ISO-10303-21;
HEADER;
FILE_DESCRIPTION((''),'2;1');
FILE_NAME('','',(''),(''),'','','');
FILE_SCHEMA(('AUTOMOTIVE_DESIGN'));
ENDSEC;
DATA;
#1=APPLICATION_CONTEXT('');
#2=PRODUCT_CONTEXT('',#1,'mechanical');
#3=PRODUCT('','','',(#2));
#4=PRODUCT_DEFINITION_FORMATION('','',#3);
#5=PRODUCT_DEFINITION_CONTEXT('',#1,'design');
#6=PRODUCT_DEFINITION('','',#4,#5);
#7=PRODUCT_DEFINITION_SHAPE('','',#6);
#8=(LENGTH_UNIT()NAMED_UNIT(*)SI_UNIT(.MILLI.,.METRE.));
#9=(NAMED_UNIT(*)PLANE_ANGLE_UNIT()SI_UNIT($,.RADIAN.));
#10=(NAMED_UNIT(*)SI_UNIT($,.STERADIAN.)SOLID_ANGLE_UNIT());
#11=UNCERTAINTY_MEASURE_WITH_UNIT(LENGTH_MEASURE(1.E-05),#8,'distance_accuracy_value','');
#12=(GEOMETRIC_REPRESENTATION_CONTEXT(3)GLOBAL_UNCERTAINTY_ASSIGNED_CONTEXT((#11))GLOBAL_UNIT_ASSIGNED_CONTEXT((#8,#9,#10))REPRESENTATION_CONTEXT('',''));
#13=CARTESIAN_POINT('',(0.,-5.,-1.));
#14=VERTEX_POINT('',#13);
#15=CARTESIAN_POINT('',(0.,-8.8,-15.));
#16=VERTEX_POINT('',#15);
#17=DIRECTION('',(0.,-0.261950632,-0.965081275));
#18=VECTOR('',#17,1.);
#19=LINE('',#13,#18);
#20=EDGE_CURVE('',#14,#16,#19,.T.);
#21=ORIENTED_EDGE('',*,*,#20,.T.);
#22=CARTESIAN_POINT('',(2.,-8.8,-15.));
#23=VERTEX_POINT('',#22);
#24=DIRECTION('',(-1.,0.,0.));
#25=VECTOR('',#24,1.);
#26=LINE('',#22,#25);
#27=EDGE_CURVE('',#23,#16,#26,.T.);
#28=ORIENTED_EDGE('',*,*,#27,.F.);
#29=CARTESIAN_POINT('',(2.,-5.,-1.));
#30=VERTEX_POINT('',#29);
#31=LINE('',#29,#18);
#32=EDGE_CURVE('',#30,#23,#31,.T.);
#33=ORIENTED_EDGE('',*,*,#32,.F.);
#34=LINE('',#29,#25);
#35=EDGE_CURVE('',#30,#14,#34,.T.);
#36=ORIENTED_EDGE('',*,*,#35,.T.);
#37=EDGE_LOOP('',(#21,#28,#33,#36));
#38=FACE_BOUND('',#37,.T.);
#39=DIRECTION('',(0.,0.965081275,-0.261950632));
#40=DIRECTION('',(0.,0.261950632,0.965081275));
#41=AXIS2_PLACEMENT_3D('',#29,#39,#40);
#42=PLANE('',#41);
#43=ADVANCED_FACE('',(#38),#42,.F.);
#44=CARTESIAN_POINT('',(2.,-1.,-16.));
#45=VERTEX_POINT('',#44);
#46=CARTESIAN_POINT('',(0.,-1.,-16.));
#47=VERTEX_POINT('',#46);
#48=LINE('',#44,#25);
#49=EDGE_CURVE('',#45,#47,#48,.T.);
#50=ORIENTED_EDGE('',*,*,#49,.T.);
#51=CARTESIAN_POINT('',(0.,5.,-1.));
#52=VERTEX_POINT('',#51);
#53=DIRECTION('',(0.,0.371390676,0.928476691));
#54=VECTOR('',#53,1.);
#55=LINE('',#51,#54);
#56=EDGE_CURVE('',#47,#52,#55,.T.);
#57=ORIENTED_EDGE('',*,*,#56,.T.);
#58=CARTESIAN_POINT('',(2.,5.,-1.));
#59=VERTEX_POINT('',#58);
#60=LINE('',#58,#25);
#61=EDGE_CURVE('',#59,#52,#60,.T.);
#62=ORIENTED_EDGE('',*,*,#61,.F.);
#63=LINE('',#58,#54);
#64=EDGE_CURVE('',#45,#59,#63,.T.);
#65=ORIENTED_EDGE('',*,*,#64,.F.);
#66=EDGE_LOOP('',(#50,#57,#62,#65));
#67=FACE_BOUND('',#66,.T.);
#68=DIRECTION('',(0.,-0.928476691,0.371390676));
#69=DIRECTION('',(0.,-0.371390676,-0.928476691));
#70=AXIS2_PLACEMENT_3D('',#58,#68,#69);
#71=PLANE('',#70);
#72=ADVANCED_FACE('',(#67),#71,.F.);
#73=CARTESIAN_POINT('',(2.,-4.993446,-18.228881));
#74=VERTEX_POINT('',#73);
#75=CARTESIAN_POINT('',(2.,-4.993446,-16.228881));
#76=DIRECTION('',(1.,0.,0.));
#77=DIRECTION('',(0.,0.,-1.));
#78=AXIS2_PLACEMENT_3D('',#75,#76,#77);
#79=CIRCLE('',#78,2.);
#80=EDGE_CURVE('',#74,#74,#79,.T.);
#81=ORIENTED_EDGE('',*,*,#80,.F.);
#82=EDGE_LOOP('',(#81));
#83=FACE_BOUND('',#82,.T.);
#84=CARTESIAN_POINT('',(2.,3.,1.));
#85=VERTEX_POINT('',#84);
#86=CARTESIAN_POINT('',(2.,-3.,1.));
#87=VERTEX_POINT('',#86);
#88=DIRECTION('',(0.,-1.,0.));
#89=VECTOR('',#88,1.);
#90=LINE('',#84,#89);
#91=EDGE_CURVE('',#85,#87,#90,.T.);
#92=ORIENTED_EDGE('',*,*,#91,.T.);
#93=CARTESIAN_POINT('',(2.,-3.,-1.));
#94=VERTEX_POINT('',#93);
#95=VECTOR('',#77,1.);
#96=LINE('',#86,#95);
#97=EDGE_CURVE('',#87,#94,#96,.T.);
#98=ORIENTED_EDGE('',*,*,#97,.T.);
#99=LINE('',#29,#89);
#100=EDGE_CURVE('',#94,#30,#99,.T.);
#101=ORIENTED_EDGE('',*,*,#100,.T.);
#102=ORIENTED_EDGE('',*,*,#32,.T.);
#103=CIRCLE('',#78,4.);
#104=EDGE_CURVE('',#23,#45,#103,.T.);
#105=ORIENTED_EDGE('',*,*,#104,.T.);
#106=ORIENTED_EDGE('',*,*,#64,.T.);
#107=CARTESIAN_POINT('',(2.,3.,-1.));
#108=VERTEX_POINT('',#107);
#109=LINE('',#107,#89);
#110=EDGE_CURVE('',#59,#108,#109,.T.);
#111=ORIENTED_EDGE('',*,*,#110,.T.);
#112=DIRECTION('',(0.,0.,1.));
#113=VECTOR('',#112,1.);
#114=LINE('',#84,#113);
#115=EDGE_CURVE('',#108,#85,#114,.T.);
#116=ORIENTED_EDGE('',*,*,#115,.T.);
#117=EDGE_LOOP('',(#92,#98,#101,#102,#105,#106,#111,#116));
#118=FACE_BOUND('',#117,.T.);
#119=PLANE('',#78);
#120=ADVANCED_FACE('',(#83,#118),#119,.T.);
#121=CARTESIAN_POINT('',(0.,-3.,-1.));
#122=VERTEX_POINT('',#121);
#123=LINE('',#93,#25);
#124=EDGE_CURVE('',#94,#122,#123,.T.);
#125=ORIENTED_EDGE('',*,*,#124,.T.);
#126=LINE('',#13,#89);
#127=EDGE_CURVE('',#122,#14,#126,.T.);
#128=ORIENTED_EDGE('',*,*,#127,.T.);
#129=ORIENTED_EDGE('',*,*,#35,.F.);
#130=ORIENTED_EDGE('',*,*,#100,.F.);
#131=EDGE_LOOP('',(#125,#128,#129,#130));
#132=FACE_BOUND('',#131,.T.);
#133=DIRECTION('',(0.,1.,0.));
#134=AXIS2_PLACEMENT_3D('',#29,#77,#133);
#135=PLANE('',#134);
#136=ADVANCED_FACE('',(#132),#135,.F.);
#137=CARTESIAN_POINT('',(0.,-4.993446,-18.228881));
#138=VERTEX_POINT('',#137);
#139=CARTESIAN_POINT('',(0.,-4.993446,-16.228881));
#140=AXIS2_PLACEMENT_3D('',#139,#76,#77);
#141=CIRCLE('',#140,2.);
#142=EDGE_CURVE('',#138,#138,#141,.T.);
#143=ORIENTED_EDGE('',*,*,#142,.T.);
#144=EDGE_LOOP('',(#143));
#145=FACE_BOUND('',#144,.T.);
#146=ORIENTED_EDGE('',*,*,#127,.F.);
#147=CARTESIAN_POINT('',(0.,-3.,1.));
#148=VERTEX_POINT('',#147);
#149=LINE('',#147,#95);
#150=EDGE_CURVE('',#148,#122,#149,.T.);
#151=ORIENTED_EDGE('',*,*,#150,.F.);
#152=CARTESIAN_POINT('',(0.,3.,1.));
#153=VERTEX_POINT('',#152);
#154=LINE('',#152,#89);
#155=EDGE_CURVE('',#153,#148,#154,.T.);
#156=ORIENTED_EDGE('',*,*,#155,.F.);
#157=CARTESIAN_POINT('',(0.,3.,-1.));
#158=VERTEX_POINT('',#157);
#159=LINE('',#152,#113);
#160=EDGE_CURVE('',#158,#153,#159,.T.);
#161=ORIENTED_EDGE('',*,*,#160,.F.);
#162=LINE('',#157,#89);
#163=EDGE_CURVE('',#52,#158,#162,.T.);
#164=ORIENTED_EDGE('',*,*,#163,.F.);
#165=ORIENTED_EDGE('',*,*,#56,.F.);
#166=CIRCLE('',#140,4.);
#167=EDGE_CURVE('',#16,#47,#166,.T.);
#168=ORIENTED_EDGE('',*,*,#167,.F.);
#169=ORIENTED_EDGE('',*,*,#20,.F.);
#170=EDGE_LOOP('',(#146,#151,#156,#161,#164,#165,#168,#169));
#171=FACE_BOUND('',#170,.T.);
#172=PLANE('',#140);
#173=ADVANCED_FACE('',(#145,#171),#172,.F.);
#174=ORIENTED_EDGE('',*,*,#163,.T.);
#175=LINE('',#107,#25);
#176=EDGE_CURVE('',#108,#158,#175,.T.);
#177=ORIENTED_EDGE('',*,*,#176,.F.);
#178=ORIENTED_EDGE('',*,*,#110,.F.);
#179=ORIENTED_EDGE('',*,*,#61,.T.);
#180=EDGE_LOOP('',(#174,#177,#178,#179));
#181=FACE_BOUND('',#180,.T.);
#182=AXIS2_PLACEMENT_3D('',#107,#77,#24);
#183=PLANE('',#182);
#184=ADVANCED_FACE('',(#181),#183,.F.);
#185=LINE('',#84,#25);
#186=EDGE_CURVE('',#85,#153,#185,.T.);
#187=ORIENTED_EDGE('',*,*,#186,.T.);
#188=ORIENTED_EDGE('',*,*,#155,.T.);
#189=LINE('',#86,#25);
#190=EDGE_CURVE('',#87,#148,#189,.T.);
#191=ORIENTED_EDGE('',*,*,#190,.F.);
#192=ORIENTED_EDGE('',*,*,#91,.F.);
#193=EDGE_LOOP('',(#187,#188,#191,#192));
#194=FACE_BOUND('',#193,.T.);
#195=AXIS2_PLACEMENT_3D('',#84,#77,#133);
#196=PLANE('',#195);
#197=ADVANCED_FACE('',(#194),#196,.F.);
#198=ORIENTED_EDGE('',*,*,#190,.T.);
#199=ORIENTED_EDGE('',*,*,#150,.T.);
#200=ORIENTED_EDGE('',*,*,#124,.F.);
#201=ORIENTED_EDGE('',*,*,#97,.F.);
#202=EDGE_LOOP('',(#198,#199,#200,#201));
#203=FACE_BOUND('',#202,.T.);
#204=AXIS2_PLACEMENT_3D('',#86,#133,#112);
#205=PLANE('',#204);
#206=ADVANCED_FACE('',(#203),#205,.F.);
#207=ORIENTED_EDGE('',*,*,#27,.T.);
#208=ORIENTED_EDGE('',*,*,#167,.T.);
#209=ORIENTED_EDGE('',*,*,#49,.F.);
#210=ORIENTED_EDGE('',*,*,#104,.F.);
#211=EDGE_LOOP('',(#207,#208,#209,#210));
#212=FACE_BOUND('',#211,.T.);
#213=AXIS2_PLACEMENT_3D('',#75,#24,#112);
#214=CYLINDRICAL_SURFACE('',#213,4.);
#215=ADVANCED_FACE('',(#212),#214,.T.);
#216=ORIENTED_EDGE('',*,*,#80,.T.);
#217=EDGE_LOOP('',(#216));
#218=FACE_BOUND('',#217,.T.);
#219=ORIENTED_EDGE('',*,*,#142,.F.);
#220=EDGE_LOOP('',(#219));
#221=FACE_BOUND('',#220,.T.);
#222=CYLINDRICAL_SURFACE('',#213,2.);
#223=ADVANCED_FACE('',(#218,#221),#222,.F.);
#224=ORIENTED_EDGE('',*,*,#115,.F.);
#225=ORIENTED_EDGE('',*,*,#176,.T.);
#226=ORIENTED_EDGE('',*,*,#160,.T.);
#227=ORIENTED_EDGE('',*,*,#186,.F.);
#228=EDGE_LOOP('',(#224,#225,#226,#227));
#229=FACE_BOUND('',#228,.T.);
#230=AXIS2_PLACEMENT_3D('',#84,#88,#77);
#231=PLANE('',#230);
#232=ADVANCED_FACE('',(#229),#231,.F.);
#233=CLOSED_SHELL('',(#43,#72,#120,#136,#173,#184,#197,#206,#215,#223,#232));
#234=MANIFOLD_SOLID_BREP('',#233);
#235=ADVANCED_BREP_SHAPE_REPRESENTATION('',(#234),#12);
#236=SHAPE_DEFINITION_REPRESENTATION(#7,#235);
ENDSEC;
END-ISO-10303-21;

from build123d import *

# Parameters (mm, degrees)
SKETCH1_R           = 2
BOSS_EXTRUDE1_DEPTH = 2


with BuildPart() as part:
    # Sketch1 → Boss-Extrude1 (new body)
    with BuildSketch(Plane(origin=(0, 0, 0), x_dir=(0, 0, -1), z_dir=(1, 0, 0))):
        with BuildLine():
            Line((1, -5), (1, -3))
            Line((1, -3), (-1, -3))
            Line((-1, -3), (-1, 3))
            Line((-1, 3), (1, 3))
            Line((1, 3), (1, 5))
            Line((1, 5), (16, -1))
            ThreePointArc((16, -1), (20.196407848, -5.50210357), (15, -8.8))
            Line((15, -8.8), (1, -5))
        make_face()
        with Locations((16.228881189, -4.993446306)):
            Circle(SKETCH1_R, mode=Mode.SUBTRACT)
    extrude(amount=BOSS_EXTRUDE1_DEPTH)


solid = part.part
